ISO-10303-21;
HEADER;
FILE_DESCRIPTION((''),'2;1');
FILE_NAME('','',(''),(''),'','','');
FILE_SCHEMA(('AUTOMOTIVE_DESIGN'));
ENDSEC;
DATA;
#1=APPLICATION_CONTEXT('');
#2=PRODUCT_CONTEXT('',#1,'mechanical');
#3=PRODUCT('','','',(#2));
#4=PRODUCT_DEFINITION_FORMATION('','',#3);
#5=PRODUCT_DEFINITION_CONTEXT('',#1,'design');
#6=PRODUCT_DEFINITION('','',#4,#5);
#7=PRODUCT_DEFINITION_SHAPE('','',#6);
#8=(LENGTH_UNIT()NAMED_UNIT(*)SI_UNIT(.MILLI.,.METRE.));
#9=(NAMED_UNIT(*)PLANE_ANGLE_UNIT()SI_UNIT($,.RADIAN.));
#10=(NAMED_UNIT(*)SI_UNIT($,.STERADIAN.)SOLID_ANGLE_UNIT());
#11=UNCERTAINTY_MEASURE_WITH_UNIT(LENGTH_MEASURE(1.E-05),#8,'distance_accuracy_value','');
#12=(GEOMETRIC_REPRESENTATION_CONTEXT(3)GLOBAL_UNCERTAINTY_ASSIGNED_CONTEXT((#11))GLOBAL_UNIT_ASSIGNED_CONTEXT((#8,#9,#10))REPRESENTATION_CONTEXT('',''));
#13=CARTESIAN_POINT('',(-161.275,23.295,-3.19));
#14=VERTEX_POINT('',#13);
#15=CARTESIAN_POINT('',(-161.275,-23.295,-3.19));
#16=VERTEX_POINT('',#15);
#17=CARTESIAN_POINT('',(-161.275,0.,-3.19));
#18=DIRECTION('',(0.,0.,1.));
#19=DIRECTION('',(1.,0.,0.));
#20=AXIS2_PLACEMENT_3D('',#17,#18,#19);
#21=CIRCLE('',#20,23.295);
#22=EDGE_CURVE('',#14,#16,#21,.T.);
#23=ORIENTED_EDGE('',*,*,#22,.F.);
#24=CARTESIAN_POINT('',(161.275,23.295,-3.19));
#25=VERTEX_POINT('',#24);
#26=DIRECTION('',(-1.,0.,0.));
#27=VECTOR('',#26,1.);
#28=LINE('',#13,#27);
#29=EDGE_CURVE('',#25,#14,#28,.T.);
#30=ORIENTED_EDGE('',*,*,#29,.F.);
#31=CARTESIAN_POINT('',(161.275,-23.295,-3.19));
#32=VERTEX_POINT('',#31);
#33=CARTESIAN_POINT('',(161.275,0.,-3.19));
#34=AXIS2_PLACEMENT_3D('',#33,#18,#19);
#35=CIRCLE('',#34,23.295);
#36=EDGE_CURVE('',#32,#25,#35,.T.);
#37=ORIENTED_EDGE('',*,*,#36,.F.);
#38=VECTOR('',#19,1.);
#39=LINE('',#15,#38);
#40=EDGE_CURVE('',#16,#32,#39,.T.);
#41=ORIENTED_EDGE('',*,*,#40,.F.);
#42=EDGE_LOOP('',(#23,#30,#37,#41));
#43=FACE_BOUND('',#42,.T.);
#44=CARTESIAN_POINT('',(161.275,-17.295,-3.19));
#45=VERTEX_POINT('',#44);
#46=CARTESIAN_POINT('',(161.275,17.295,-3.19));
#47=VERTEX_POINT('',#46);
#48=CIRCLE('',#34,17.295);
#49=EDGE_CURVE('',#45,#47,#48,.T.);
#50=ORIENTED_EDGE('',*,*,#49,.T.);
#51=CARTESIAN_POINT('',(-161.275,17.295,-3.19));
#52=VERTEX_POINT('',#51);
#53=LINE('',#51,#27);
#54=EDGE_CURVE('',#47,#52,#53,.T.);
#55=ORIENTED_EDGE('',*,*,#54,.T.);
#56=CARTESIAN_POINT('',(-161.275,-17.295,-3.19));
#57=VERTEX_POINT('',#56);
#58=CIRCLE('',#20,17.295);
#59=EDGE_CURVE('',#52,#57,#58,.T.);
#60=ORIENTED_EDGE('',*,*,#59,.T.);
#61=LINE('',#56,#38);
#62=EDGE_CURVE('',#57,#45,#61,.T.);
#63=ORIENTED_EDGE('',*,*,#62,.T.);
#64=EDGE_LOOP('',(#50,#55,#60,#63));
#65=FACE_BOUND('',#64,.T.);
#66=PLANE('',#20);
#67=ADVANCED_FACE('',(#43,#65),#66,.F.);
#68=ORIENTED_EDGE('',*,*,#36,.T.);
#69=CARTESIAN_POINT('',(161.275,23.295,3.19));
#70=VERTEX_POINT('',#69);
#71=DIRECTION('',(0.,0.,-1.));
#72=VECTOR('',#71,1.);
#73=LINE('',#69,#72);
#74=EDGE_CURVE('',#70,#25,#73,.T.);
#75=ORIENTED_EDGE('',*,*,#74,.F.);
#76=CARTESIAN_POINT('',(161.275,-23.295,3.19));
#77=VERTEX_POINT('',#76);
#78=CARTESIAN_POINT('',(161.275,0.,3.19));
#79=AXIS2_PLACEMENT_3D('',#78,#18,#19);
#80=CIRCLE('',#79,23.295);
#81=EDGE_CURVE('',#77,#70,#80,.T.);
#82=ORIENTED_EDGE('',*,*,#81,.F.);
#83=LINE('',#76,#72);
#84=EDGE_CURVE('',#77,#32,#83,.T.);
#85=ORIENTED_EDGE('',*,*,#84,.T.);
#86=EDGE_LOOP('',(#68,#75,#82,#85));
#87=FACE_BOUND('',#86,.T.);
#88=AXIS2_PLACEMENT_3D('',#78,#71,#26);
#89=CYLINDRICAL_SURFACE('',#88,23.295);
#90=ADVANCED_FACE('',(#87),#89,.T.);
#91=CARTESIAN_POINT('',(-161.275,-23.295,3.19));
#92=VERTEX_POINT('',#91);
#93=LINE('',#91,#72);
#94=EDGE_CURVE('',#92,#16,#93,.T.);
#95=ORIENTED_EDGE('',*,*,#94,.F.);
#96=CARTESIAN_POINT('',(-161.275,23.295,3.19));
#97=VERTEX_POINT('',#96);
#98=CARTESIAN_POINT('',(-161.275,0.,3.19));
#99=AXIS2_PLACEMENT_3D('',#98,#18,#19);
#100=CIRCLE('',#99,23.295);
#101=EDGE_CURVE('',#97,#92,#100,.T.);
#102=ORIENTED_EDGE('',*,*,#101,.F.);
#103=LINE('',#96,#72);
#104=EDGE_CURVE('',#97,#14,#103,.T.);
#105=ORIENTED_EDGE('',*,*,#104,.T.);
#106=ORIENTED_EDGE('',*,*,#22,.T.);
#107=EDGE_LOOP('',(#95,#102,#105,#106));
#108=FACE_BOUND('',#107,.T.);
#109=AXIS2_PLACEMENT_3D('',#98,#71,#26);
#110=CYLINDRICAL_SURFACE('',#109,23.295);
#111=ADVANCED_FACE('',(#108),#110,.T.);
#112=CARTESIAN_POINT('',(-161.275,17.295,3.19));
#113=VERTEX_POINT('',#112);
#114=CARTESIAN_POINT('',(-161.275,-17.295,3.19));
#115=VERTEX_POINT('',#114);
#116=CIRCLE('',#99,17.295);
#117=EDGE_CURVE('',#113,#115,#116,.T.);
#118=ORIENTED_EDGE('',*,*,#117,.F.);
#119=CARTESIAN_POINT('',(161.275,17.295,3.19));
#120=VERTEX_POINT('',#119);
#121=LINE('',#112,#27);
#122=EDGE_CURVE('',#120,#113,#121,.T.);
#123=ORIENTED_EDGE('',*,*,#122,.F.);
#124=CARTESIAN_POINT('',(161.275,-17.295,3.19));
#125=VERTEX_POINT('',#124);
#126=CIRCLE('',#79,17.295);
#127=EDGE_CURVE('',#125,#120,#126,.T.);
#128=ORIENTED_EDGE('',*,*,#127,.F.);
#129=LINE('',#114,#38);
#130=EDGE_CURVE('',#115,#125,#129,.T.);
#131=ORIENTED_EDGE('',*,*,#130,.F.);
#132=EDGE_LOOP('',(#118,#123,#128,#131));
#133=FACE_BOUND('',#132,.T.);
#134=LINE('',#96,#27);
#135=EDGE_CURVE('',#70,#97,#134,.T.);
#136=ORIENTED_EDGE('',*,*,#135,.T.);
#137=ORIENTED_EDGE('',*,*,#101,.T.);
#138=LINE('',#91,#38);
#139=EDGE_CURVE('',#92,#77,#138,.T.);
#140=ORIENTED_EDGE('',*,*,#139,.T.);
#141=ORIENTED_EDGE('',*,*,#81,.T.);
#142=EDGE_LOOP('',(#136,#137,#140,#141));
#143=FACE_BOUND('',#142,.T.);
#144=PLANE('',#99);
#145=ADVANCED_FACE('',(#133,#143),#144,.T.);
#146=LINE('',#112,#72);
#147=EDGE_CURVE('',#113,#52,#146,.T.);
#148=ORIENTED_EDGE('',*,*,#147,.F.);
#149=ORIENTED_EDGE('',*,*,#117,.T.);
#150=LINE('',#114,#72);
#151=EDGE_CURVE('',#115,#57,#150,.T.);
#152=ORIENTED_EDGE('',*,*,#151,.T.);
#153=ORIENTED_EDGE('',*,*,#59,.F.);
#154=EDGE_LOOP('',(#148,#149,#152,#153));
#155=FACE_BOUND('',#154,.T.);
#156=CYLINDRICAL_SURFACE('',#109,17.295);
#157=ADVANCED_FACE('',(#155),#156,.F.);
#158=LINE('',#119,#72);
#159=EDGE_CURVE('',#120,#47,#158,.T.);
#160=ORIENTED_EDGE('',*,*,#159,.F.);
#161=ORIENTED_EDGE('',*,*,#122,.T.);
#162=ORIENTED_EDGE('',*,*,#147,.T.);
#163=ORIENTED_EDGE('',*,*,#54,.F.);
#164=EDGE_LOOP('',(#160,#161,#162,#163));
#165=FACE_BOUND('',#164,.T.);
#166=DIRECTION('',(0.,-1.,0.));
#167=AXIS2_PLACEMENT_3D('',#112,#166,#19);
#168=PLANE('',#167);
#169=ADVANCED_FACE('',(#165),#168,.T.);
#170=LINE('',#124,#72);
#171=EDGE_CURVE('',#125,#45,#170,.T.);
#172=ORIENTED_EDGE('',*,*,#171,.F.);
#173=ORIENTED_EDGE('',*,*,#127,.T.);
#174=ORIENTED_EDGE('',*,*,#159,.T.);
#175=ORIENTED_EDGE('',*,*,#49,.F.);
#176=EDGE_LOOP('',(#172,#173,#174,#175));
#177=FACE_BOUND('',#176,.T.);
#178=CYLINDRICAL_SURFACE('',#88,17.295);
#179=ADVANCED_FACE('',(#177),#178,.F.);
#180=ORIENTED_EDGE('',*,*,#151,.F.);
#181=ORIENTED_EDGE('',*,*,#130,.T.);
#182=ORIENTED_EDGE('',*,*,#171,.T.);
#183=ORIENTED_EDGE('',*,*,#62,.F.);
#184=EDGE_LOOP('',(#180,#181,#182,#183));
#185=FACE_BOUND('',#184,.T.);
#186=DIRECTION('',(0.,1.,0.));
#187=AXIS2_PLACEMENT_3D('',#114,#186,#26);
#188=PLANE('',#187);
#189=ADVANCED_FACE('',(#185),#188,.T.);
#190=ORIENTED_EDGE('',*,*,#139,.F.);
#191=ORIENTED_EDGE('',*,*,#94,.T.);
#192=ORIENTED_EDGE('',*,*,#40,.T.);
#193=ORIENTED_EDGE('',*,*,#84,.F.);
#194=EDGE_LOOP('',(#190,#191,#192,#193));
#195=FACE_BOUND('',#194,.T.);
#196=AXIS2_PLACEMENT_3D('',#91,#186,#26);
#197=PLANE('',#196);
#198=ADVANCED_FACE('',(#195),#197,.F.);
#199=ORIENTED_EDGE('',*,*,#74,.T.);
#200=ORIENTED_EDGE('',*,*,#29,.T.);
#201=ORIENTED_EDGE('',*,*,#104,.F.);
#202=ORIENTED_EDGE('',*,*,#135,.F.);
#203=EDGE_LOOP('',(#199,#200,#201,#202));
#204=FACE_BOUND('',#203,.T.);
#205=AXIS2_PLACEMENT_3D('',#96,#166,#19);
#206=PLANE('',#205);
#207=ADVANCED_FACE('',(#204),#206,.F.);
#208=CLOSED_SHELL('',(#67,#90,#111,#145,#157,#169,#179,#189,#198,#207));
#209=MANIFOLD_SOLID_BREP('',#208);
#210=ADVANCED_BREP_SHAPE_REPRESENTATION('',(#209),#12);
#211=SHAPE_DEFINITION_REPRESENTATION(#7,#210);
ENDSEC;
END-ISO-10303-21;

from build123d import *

# Parameters (mm, degrees)
EXTRUDE_1_DEPTH = 3.19


with BuildPart() as part:
    # 草图1 → 凸台-拉伸1 (new, symmetric)
    with BuildSketch(Plane.XY):
        with BuildLine():
            Line((-161.275, 23.295), (161.275, 23.295))
            ThreePointArc((161.275, 23.295), (184.57, 0), (161.275, -23.295))
            Line((161.275, -23.295), (-161.275, -23.295))
            ThreePointArc((-161.275, -23.295), (-184.57, 0), (-161.275, 23.295))
        make_face()
        with BuildLine():
            Line((-161.275, 17.295), (161.275, 17.295))
            ThreePointArc((161.275, 17.295), (178.57, 0), (161.275, -17.295))
            Line((161.275, -17.295), (-161.275, -17.295))
            ThreePointArc((-161.275, -17.295), (-178.57, 0), (-161.275, 17.295))
        make_face(mode=Mode.SUBTRACT)
    extrude(amount=EXTRUDE_1_DEPTH, both=True)


solid = part.part
